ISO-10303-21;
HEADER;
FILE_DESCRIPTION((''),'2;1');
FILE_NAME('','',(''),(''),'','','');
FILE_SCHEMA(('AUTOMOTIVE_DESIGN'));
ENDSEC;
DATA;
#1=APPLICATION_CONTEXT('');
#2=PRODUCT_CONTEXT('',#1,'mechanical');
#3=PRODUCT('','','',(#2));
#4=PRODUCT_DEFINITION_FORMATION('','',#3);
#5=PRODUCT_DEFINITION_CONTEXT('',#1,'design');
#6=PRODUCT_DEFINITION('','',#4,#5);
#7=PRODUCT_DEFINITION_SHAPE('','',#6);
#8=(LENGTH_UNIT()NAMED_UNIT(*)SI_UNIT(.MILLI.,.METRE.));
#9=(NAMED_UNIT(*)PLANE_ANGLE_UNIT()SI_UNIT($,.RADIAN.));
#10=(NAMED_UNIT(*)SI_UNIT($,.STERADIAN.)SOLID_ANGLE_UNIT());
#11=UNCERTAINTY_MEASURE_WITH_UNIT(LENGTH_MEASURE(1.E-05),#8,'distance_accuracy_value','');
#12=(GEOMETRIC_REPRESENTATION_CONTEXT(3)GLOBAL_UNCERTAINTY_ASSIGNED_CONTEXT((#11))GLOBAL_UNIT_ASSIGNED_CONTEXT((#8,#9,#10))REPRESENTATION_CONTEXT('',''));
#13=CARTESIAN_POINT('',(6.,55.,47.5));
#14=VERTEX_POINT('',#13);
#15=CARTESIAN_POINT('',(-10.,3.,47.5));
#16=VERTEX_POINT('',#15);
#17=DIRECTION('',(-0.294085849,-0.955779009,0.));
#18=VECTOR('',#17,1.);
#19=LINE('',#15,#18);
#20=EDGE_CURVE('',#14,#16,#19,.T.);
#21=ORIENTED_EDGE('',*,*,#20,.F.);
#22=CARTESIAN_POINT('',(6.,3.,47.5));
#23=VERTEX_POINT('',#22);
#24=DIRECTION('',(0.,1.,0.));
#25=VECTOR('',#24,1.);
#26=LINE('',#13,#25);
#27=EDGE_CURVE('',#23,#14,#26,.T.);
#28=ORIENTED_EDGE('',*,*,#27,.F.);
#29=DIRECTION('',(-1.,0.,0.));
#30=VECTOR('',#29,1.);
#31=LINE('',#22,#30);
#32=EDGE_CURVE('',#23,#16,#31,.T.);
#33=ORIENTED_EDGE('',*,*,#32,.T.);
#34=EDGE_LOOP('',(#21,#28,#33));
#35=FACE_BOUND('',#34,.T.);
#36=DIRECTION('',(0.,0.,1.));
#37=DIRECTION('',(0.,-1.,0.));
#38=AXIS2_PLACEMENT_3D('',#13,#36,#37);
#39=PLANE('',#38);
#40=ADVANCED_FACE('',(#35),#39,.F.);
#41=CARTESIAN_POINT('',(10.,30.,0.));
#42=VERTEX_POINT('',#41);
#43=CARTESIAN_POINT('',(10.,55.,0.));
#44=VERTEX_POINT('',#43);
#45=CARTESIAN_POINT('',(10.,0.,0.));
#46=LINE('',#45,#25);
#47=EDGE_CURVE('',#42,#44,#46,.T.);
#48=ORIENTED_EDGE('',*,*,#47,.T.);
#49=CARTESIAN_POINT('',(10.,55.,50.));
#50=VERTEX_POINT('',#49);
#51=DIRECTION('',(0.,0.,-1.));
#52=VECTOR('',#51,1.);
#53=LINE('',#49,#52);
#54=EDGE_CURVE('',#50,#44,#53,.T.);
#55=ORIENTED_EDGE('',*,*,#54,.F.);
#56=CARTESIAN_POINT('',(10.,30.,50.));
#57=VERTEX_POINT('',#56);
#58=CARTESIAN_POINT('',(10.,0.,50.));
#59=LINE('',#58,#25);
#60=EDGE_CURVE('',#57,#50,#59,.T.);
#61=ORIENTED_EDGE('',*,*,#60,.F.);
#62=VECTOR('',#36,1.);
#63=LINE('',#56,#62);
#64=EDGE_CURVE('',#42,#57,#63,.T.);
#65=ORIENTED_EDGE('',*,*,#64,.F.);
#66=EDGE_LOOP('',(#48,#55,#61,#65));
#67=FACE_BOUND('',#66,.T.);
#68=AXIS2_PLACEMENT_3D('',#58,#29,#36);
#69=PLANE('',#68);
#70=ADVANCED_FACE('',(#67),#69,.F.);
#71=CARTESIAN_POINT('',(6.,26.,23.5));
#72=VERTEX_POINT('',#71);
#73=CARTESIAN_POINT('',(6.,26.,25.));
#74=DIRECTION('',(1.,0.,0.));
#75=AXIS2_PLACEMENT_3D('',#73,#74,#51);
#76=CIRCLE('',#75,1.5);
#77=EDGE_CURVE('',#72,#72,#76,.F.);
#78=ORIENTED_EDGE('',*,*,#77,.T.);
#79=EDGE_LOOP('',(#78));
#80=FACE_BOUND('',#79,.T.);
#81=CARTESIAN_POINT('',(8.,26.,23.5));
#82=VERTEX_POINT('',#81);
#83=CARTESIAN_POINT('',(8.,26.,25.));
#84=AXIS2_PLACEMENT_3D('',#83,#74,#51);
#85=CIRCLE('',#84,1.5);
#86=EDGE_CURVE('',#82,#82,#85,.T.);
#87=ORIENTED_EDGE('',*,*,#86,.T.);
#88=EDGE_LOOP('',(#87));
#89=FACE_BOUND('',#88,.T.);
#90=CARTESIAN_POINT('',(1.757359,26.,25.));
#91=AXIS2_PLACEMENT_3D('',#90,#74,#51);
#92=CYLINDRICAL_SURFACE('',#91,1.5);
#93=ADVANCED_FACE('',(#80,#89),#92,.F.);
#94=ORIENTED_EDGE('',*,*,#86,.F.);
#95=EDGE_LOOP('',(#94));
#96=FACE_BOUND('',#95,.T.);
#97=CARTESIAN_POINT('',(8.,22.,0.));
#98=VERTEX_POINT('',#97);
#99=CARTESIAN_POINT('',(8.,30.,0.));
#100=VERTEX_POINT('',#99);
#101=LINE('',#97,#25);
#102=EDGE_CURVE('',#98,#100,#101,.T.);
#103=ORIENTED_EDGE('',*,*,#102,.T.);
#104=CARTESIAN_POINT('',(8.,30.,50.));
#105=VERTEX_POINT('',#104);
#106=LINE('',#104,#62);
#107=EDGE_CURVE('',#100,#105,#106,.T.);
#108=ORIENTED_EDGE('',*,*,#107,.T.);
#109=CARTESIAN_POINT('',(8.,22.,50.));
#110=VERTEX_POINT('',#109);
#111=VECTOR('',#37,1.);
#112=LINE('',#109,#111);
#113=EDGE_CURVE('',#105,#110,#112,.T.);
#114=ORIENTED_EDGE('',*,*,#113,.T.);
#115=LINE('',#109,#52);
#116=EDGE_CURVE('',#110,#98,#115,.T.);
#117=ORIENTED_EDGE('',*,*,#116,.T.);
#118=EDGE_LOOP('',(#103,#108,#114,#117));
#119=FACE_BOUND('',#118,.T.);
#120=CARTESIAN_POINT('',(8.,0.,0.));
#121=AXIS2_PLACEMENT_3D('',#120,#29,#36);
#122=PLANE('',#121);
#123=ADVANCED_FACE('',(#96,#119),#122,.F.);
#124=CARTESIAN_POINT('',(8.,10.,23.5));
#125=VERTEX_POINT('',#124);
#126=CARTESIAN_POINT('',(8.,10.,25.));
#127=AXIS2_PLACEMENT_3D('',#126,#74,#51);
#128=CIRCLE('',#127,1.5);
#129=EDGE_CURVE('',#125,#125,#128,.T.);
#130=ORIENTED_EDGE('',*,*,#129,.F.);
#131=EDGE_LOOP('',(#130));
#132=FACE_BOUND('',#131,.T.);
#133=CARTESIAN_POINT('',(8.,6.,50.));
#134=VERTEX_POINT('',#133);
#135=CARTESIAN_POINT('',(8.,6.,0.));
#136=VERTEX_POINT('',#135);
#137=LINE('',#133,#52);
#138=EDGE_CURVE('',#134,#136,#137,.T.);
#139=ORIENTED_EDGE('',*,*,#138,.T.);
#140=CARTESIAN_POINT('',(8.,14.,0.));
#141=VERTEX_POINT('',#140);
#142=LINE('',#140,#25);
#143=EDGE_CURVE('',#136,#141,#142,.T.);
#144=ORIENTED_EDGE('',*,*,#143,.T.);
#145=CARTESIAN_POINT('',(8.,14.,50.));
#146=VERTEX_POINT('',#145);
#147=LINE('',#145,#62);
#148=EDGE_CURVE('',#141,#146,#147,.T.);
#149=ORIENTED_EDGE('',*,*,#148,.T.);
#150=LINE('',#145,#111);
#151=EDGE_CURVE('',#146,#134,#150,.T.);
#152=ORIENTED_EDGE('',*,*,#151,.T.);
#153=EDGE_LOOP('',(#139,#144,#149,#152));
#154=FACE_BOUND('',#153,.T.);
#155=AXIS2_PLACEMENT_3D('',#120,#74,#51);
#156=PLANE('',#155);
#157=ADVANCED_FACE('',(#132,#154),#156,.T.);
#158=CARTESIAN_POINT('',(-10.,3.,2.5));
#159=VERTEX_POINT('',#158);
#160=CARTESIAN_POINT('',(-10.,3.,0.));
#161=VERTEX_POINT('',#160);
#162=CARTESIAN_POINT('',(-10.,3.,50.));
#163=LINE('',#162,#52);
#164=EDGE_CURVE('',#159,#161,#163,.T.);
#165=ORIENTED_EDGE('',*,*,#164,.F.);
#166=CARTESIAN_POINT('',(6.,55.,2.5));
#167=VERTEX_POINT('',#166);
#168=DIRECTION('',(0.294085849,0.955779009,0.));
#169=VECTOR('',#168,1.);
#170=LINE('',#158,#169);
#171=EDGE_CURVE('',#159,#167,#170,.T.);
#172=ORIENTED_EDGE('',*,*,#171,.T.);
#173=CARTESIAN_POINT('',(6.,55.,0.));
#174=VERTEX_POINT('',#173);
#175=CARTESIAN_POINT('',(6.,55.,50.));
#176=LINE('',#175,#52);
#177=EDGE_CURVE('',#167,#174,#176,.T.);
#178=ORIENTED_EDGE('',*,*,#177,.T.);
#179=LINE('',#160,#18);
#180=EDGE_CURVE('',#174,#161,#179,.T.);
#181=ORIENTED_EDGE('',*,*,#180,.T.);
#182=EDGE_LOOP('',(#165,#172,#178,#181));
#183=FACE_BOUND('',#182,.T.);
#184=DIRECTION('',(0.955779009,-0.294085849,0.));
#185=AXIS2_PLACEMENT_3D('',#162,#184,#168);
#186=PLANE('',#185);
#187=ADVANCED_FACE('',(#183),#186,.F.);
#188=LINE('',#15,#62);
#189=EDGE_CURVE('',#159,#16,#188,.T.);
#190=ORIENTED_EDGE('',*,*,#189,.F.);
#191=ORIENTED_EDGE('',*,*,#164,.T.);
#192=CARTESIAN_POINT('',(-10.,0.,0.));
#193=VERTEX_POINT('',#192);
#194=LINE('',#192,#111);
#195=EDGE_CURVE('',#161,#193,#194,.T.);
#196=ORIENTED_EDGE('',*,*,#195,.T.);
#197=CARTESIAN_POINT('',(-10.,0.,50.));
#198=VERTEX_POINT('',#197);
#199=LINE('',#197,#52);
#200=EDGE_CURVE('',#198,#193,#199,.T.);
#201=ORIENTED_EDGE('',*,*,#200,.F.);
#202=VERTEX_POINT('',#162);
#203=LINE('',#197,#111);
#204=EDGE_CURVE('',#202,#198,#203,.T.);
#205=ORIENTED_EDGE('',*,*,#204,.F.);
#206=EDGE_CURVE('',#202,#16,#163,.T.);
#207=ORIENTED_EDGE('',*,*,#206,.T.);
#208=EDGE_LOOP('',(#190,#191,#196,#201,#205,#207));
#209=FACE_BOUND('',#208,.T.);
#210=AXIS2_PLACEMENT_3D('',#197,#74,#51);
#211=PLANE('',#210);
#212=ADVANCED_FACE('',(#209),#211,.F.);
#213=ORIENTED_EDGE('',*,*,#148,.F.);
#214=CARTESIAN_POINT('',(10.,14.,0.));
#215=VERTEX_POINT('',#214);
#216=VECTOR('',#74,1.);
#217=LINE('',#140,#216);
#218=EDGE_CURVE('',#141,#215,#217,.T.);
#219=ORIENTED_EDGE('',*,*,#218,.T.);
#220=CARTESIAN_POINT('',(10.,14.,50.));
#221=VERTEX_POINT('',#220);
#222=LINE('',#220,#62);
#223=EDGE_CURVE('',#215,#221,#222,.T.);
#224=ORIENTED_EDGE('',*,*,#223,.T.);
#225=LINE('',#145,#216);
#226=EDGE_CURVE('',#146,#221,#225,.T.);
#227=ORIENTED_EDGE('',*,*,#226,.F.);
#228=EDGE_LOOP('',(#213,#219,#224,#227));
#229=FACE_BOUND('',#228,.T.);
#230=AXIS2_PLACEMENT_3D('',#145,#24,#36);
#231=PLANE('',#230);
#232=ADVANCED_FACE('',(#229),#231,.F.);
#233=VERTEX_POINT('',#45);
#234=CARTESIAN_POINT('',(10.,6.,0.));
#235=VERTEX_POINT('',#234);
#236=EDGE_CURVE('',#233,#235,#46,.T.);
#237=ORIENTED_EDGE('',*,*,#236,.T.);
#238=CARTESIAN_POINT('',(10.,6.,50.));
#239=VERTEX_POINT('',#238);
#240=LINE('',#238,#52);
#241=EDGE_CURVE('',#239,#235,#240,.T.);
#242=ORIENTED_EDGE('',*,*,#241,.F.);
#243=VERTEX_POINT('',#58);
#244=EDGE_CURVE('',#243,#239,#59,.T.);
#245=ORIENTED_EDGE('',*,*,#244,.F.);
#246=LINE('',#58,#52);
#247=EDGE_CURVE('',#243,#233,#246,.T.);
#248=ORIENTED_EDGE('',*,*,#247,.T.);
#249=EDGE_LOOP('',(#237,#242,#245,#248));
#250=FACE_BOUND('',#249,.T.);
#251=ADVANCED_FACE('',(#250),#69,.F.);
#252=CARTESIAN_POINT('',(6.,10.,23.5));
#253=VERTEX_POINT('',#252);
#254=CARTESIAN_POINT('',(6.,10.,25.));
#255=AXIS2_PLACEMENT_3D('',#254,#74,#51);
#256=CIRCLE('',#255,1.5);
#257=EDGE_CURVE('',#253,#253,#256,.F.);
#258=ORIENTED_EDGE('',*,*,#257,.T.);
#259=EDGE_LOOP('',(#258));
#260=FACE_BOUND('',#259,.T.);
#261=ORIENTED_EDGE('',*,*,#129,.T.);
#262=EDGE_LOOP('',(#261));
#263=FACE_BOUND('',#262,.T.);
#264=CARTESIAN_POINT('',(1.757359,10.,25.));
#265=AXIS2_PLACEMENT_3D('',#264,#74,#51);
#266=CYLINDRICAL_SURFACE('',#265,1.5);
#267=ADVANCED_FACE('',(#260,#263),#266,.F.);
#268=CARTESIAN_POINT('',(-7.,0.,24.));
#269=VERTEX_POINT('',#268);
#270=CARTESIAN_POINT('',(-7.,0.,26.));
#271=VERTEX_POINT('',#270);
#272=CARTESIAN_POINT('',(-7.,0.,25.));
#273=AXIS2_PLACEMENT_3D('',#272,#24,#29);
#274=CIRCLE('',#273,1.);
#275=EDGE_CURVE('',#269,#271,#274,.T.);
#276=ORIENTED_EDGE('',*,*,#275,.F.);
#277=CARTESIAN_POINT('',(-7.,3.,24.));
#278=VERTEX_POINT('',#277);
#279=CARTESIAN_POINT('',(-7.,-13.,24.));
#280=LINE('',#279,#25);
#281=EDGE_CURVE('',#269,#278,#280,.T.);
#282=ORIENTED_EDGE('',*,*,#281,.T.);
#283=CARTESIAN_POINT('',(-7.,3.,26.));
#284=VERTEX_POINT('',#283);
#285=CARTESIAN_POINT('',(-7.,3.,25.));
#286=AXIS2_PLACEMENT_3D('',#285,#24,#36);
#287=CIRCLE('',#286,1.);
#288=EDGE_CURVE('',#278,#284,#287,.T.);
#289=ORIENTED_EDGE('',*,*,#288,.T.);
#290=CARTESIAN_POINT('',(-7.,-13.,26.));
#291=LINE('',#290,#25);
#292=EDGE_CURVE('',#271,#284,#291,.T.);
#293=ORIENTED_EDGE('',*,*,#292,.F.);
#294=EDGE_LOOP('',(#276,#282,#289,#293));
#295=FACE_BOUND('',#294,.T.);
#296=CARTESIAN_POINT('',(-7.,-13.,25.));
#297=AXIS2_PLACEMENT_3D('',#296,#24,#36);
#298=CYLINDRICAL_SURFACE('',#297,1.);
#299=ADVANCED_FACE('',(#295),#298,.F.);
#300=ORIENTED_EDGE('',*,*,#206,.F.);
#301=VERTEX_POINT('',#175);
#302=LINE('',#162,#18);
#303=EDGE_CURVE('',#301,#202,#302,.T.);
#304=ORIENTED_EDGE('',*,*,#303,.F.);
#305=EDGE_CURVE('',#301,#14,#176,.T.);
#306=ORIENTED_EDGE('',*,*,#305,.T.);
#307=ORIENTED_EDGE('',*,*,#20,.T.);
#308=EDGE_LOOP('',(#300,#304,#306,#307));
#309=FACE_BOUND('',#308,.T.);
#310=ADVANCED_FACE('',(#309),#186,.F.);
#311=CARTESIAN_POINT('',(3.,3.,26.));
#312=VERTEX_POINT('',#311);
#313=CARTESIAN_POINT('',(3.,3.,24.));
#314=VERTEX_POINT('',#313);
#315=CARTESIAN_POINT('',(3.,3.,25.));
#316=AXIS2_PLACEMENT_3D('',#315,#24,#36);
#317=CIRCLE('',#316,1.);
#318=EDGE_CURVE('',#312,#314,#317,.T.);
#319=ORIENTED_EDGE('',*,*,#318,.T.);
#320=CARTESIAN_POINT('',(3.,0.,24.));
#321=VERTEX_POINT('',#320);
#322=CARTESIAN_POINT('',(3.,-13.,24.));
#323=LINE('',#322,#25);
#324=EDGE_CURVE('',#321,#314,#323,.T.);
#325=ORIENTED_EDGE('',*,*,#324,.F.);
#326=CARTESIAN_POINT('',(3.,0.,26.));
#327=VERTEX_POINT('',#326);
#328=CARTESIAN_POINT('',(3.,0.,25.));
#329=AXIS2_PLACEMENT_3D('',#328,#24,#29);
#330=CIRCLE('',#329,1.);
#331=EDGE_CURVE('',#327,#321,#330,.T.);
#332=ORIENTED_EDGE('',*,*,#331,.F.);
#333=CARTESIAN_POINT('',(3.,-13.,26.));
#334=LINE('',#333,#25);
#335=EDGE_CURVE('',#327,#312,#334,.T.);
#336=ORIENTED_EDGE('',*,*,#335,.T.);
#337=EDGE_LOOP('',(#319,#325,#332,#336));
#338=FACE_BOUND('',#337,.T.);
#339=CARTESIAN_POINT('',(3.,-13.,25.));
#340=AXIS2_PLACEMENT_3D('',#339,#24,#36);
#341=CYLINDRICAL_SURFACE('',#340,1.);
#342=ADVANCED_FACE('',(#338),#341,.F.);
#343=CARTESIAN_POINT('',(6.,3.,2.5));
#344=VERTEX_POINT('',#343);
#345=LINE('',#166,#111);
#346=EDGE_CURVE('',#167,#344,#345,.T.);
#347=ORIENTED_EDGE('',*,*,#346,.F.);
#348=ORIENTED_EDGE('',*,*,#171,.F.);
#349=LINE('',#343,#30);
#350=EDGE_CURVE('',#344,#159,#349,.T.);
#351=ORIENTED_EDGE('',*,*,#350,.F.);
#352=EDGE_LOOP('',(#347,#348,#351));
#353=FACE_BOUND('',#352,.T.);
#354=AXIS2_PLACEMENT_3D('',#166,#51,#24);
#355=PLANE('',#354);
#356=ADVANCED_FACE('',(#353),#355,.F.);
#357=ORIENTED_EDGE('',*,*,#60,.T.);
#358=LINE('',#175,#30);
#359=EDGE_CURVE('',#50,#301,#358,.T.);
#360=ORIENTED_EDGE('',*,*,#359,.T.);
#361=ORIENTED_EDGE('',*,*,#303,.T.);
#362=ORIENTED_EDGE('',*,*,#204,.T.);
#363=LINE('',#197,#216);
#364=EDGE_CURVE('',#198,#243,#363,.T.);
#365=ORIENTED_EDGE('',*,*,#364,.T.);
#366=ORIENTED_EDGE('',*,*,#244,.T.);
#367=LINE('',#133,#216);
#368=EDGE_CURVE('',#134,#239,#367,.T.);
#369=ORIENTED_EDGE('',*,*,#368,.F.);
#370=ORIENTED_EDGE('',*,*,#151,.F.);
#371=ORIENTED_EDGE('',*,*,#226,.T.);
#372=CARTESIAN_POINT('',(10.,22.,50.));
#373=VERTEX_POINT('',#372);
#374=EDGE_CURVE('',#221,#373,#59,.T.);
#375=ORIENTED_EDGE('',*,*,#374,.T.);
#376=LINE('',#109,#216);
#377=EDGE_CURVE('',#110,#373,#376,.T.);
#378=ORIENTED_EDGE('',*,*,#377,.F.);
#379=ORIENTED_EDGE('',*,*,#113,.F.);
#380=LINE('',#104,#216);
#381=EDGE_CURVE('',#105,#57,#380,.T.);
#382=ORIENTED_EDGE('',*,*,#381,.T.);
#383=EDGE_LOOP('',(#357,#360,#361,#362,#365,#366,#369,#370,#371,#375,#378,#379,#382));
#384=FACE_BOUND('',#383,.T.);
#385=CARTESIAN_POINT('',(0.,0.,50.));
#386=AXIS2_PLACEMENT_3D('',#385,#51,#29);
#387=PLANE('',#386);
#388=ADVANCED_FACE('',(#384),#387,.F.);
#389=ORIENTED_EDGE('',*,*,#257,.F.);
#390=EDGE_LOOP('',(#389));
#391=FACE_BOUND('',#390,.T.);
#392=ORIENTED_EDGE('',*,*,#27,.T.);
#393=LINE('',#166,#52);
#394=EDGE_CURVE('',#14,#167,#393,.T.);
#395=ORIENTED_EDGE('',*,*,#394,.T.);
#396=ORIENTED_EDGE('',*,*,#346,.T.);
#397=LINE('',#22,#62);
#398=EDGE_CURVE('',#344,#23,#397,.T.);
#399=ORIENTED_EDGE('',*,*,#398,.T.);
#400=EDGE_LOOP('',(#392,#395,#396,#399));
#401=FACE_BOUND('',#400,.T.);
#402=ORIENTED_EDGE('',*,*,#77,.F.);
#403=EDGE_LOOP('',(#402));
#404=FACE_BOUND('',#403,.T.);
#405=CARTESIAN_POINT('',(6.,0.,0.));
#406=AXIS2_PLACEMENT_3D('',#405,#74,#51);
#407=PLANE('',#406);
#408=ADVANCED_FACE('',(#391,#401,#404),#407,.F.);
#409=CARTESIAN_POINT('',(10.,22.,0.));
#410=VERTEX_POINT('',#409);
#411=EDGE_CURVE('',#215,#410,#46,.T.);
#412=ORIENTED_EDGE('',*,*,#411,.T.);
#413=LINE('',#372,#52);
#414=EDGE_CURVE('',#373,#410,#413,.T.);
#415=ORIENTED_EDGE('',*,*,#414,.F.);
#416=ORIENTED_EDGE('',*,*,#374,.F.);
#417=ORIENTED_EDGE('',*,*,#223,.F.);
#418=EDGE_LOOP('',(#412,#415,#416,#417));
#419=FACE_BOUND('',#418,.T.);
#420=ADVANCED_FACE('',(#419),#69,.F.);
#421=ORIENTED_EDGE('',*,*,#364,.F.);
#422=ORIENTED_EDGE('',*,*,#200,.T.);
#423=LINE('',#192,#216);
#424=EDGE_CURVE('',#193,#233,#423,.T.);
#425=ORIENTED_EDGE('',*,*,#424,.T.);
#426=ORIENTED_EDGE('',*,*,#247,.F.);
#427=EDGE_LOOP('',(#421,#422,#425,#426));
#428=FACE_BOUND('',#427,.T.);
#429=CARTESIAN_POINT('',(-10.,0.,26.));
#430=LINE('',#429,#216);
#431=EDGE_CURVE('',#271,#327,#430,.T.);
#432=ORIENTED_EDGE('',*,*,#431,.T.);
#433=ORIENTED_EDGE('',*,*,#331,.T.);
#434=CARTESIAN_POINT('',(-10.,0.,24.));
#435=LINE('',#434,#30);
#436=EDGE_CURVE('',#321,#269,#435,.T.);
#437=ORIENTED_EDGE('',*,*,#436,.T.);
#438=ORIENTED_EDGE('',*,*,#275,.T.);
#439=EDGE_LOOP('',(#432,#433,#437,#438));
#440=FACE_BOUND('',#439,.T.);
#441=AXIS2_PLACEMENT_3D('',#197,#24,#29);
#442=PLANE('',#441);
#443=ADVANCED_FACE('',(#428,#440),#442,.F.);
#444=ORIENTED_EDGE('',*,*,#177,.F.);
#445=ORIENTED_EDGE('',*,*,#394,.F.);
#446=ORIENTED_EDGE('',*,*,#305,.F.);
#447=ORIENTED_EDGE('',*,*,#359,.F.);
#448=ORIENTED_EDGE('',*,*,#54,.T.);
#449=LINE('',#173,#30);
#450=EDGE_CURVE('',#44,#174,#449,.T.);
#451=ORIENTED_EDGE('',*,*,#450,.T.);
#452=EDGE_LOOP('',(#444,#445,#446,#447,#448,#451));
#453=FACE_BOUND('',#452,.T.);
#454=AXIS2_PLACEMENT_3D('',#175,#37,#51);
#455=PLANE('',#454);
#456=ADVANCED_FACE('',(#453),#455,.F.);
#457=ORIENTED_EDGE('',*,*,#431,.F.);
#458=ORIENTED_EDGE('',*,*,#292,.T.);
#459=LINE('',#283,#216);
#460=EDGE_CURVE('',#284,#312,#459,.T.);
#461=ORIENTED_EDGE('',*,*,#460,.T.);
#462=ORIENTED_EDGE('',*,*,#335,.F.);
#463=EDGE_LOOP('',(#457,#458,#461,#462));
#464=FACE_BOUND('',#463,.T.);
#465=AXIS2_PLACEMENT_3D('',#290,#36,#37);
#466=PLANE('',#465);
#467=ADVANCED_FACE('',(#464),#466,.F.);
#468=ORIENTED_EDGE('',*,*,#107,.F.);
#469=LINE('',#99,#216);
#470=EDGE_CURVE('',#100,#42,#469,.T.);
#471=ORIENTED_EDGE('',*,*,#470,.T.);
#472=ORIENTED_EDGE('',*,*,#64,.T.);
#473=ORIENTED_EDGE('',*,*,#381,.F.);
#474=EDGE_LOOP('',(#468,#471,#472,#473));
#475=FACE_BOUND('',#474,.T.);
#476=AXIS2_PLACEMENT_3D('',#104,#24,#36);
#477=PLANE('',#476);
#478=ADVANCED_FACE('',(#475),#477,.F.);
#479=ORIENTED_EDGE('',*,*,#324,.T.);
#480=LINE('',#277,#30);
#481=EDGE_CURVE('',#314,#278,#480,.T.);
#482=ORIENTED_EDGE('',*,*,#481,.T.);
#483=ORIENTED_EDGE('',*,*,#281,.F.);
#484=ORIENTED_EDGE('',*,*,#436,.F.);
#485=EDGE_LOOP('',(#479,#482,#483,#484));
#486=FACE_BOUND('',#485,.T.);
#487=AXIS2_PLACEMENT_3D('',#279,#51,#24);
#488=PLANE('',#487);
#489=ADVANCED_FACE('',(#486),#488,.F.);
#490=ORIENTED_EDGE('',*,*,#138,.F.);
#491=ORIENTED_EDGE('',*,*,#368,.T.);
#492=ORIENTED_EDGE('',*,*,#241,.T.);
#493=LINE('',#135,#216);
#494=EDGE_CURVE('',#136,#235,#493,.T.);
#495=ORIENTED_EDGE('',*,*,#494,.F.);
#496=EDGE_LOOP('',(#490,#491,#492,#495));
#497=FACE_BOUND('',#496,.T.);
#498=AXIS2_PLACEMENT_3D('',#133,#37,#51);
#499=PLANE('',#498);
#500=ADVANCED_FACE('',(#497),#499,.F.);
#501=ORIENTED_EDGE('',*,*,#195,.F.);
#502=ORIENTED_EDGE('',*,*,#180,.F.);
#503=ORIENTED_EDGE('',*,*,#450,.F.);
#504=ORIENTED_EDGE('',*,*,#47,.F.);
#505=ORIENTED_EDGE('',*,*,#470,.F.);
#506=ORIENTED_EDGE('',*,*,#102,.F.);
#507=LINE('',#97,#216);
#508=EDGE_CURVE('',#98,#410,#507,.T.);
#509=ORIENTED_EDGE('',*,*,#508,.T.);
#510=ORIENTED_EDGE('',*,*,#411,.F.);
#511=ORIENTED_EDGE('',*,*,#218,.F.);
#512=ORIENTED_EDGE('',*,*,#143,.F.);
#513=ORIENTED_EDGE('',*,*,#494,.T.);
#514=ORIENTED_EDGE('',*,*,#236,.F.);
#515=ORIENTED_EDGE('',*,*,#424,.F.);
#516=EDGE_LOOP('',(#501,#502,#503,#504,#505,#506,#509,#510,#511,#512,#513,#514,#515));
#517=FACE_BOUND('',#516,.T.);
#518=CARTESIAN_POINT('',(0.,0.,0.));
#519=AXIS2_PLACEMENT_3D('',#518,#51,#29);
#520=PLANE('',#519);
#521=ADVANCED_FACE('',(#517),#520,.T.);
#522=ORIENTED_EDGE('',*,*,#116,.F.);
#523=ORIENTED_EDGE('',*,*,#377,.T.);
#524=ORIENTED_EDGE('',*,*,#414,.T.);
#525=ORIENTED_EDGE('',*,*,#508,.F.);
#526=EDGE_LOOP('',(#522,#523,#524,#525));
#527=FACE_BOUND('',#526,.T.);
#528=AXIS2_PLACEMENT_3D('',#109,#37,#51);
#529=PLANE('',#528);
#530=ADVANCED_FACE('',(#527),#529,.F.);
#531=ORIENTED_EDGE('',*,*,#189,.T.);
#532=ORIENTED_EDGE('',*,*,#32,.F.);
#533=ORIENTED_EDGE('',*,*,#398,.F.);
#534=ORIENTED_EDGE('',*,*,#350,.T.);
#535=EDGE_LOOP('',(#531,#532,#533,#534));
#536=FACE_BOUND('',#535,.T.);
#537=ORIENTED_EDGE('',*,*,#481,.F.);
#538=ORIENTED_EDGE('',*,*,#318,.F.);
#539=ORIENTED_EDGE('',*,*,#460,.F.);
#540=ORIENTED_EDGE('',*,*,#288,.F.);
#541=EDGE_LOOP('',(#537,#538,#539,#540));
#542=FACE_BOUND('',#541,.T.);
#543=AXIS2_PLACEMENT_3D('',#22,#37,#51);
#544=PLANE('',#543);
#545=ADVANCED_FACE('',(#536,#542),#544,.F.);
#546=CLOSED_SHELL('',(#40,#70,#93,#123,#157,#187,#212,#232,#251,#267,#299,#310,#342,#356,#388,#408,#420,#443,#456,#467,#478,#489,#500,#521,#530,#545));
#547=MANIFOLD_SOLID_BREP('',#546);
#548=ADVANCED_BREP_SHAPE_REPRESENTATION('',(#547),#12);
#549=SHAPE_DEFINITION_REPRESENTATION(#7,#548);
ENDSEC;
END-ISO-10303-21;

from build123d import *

# Parameters (mm, degrees)
BOSS_EXTRUDE1_DEPTH = 50
SKETCH2_W           = 50
SKETCH2_H           = 8
CUT_EXTRUDE1_DEPTH  = 2
SKETCH4_W           = 45
SKETCH4_H           = 52
CUT_EXTRUDE2_DEPTH  = 16
SKETCH6_R           = 1.5
CUT_EXTRUDE4_DEPTH  = 2
CUT_EXTRUDE_2_DEPTH = 16


with BuildPart() as part:
    # Sketch1 → Boss-Extrude1 (new body)
    with BuildSketch(Plane.XY):
        Polygon((-10, 0), (10, 0), (10, 55), (6, 55), (-10, 3), align=None)
    extrude(amount=BOSS_EXTRUDE1_DEPTH)

    # Sketch2 → Cut-Extrude1 (cut)
    with BuildSketch(Plane(origin=(10, 0, 0), x_dir=(0, 0, -1), z_dir=(1, 0, 0))):
        with Locations((-25, 10)):
            Rectangle(SKETCH2_W, SKETCH2_H)
        with Locations((-25, 26)):
            Rectangle(SKETCH2_W, SKETCH2_H)
    extrude(amount=-CUT_EXTRUDE1_DEPTH, mode=Mode.SUBTRACT)

    # Sketch4 → Cut-Extrude2 (cut)
    with BuildSketch(Plane.ZY.offset(10)):
        with Locations((25, 29)):
            Rectangle(SKETCH4_W, SKETCH4_H)
    extrude(amount=-CUT_EXTRUDE2_DEPTH, mode=Mode.SUBTRACT)

    # Sketch6 → Cut-Extrude4 (cut)
    with BuildSketch(Plane(origin=(8, 0, 0), x_dir=(0, 0, -1), z_dir=(1, 0, 0))):
        with Locations((-25, 26)):
            Circle(SKETCH6_R)
        with Locations((-25, 10)):
            Circle(SKETCH6_R)
    extrude(amount=-CUT_EXTRUDE4_DEPTH, mode=Mode.SUBTRACT)

    # 草图2 → 切除-拉伸2 (cut)
    with BuildSketch(Plane(origin=(0, 3, 0), x_dir=(1, 0, 0), z_dir=(0, 1, 0))):
        with BuildLine():
            Line((-7, -24), (3, -24))
            ThreePointArc((3, -24), (4, -25), (3, -26))
            Line((3, -26), (-7, -26))
            ThreePointArc((-7, -26), (-8, -25), (-7, -24))
        make_face()
    extrude(amount=-CUT_EXTRUDE_2_DEPTH, mode=Mode.SUBTRACT)


solid = part.part
